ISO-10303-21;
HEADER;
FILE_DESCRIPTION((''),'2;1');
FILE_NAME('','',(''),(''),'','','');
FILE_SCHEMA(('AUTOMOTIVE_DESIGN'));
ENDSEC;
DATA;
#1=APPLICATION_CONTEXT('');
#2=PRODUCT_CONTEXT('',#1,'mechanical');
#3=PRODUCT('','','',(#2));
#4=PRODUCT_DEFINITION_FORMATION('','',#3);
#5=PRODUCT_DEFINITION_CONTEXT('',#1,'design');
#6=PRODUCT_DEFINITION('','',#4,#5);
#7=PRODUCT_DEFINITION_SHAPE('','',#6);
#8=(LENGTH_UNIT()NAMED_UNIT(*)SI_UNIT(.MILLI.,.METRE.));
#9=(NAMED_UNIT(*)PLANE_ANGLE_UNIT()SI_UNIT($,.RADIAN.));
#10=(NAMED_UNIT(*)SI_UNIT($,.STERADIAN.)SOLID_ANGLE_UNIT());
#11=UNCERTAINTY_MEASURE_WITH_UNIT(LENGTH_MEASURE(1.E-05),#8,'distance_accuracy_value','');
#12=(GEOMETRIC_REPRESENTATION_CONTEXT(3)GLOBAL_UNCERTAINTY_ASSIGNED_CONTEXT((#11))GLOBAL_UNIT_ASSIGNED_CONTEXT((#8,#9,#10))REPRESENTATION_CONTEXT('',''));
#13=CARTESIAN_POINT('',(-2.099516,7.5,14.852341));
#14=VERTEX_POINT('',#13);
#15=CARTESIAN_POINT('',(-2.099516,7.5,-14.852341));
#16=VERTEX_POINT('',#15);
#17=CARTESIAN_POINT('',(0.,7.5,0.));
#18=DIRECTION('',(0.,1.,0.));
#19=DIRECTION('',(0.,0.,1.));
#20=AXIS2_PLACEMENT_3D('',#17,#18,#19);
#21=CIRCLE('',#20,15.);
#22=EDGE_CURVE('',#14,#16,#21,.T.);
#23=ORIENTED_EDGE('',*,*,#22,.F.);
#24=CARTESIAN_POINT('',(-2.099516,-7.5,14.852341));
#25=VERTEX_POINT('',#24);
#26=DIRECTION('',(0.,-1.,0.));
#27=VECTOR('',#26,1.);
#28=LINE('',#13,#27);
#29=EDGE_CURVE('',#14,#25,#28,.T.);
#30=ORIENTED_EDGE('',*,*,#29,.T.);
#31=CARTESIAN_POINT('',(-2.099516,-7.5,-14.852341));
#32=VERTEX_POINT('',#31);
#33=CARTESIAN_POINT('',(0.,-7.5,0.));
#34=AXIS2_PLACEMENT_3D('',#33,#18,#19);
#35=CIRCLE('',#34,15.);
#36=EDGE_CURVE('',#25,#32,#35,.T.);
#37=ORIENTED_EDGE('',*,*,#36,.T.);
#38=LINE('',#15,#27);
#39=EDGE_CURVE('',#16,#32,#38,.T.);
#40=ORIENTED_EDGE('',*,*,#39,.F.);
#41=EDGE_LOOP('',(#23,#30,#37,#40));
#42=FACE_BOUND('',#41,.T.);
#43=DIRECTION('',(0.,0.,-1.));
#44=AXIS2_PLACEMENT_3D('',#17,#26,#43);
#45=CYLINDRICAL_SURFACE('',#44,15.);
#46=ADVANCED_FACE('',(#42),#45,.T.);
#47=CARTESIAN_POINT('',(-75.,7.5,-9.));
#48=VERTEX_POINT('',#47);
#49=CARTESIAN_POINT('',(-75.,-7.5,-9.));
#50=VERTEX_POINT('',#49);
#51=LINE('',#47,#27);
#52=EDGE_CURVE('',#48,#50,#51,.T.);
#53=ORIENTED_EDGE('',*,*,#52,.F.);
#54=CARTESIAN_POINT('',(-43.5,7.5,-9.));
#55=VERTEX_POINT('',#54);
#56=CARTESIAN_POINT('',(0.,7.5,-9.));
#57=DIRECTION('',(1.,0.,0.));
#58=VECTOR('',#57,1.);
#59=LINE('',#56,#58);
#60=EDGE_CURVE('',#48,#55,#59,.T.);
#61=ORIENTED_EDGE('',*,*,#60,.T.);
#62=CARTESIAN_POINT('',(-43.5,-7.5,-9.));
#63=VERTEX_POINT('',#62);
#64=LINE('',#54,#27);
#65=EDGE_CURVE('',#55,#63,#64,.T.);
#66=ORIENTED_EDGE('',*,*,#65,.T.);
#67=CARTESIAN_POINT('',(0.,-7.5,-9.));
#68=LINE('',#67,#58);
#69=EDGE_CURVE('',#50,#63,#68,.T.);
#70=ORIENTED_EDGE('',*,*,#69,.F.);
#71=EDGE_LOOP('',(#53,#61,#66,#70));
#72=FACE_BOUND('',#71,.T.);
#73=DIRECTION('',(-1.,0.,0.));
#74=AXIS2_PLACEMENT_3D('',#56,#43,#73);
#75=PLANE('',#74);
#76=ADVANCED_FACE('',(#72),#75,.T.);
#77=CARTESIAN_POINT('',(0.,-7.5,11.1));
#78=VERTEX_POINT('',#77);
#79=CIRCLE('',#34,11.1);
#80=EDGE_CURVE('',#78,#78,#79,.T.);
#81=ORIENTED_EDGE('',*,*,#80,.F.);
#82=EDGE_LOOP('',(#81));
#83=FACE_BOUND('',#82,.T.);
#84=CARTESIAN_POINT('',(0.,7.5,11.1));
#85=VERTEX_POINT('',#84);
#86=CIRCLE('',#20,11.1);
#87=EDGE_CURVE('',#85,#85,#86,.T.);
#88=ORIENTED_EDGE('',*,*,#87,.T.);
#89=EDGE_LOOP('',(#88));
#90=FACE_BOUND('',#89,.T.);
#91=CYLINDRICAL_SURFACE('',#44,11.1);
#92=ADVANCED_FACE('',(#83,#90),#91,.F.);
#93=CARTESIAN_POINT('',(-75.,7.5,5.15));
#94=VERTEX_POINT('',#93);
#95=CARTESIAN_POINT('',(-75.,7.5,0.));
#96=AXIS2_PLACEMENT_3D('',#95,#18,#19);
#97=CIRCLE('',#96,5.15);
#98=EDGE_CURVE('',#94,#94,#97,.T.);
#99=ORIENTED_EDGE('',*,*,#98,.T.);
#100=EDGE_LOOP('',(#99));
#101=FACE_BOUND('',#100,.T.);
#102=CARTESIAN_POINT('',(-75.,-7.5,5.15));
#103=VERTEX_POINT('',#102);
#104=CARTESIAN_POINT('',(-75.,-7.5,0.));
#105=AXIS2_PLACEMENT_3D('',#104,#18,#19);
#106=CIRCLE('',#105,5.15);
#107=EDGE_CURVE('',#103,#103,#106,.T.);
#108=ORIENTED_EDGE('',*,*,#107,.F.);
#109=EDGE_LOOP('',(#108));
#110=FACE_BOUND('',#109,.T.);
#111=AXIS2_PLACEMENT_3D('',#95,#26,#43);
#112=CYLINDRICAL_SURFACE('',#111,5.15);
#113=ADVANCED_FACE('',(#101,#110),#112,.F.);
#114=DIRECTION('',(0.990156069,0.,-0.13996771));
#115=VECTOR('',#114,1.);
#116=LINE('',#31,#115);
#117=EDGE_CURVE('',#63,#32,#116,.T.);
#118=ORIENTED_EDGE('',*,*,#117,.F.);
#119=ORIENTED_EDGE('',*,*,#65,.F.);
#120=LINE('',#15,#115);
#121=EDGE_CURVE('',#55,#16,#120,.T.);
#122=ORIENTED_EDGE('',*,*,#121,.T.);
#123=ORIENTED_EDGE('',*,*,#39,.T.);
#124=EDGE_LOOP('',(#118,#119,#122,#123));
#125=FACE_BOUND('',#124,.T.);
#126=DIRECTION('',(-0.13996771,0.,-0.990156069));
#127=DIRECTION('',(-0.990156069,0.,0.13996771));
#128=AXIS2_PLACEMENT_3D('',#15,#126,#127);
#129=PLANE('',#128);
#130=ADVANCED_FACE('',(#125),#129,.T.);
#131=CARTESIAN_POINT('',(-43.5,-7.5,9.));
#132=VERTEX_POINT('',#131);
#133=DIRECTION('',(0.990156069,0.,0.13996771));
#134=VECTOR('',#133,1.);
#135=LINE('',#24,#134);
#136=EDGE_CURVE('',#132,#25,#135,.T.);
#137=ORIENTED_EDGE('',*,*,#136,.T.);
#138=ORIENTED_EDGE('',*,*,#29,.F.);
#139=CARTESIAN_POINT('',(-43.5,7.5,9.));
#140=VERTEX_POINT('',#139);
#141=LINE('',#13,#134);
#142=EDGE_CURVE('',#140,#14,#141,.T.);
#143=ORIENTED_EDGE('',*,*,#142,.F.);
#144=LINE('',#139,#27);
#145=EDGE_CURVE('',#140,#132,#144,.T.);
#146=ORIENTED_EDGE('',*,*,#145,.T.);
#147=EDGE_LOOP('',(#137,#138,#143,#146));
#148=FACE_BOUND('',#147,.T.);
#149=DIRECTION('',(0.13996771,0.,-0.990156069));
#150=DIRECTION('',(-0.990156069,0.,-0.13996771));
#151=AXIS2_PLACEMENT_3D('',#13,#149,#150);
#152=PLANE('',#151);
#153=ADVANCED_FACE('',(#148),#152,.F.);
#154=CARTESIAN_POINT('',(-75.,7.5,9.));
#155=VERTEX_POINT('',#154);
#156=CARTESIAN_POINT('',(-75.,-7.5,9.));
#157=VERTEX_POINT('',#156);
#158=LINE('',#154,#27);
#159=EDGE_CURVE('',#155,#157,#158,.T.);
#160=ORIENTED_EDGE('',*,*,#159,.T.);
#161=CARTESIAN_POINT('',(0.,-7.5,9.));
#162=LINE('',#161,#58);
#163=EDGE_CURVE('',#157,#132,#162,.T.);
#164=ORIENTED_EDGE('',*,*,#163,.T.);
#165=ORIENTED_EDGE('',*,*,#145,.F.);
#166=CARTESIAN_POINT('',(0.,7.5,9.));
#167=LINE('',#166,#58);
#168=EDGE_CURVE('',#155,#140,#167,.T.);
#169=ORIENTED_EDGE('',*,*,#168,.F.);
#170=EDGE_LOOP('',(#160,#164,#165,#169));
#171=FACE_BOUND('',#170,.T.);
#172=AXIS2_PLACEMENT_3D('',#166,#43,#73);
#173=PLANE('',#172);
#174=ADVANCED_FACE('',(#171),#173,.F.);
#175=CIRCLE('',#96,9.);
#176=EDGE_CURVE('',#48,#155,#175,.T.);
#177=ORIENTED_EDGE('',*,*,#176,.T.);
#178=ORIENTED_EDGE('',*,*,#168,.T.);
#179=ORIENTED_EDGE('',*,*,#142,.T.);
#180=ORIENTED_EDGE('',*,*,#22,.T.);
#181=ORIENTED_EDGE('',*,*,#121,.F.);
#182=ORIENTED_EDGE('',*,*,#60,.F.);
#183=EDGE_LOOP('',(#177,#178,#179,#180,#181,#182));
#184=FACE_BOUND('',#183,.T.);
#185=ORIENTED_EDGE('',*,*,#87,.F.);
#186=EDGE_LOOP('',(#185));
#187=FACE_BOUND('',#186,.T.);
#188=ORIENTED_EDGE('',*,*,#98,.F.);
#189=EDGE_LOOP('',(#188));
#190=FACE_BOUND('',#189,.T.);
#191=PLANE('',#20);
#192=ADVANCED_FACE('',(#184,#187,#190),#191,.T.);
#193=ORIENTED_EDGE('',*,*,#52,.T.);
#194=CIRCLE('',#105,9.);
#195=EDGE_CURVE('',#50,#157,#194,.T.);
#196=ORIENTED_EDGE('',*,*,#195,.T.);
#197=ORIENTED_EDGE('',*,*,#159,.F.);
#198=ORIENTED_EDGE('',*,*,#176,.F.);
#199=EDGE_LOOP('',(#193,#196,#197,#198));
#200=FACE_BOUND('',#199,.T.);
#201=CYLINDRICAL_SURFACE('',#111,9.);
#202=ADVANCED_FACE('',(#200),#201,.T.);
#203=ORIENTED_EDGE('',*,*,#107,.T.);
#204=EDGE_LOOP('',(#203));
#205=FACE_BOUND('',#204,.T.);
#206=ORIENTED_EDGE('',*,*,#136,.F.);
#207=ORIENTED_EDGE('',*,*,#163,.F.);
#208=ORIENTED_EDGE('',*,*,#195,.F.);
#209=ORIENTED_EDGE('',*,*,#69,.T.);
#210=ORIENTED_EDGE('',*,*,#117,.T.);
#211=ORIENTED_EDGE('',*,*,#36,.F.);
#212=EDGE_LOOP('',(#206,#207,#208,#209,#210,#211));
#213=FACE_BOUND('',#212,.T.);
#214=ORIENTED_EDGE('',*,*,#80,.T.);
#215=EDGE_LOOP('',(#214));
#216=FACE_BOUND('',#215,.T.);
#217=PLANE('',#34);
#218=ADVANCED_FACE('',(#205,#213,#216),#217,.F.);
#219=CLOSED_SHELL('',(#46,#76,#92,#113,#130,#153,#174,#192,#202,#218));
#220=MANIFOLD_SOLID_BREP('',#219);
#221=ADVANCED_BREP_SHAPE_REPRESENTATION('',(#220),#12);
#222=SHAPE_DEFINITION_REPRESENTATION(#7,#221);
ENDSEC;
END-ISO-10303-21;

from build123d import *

# Parameters (mm, degrees)
SKETCH2_R           = 11.1
SKETCH2_R_2         = 5.15
BOSS_EXTRUDE2_DEPTH = 7.5


with BuildPart() as part:
    # Sketch2 → Boss-Extrude2 (new, symmetric)
    with BuildSketch(Plane(origin=(0, 0, 0), x_dir=(1, 0, 0), z_dir=(0, 1, 0))):
        with BuildLine():
            Line((-43.5, 9), (-75, 9))
            ThreePointArc((-75, 9), (-84, 0), (-75, -9))
            Line((-75, -9), (-43.5, -9))
            Line((-43.5, -9), (-2.099515649, -14.852341029))
            ThreePointArc((-2.099515649, -14.852341029), (15, 0), (-2.099515649, 14.852341029))
            Line((-2.099515649, 14.852341029), (-43.5, 9))
        make_face()
        Circle(SKETCH2_R, mode=Mode.SUBTRACT)
        with Locations((-75, 0)):
            Circle(SKETCH2_R_2, mode=Mode.SUBTRACT)
    extrude(amount=BOSS_EXTRUDE2_DEPTH, both=True)


solid = part.part
